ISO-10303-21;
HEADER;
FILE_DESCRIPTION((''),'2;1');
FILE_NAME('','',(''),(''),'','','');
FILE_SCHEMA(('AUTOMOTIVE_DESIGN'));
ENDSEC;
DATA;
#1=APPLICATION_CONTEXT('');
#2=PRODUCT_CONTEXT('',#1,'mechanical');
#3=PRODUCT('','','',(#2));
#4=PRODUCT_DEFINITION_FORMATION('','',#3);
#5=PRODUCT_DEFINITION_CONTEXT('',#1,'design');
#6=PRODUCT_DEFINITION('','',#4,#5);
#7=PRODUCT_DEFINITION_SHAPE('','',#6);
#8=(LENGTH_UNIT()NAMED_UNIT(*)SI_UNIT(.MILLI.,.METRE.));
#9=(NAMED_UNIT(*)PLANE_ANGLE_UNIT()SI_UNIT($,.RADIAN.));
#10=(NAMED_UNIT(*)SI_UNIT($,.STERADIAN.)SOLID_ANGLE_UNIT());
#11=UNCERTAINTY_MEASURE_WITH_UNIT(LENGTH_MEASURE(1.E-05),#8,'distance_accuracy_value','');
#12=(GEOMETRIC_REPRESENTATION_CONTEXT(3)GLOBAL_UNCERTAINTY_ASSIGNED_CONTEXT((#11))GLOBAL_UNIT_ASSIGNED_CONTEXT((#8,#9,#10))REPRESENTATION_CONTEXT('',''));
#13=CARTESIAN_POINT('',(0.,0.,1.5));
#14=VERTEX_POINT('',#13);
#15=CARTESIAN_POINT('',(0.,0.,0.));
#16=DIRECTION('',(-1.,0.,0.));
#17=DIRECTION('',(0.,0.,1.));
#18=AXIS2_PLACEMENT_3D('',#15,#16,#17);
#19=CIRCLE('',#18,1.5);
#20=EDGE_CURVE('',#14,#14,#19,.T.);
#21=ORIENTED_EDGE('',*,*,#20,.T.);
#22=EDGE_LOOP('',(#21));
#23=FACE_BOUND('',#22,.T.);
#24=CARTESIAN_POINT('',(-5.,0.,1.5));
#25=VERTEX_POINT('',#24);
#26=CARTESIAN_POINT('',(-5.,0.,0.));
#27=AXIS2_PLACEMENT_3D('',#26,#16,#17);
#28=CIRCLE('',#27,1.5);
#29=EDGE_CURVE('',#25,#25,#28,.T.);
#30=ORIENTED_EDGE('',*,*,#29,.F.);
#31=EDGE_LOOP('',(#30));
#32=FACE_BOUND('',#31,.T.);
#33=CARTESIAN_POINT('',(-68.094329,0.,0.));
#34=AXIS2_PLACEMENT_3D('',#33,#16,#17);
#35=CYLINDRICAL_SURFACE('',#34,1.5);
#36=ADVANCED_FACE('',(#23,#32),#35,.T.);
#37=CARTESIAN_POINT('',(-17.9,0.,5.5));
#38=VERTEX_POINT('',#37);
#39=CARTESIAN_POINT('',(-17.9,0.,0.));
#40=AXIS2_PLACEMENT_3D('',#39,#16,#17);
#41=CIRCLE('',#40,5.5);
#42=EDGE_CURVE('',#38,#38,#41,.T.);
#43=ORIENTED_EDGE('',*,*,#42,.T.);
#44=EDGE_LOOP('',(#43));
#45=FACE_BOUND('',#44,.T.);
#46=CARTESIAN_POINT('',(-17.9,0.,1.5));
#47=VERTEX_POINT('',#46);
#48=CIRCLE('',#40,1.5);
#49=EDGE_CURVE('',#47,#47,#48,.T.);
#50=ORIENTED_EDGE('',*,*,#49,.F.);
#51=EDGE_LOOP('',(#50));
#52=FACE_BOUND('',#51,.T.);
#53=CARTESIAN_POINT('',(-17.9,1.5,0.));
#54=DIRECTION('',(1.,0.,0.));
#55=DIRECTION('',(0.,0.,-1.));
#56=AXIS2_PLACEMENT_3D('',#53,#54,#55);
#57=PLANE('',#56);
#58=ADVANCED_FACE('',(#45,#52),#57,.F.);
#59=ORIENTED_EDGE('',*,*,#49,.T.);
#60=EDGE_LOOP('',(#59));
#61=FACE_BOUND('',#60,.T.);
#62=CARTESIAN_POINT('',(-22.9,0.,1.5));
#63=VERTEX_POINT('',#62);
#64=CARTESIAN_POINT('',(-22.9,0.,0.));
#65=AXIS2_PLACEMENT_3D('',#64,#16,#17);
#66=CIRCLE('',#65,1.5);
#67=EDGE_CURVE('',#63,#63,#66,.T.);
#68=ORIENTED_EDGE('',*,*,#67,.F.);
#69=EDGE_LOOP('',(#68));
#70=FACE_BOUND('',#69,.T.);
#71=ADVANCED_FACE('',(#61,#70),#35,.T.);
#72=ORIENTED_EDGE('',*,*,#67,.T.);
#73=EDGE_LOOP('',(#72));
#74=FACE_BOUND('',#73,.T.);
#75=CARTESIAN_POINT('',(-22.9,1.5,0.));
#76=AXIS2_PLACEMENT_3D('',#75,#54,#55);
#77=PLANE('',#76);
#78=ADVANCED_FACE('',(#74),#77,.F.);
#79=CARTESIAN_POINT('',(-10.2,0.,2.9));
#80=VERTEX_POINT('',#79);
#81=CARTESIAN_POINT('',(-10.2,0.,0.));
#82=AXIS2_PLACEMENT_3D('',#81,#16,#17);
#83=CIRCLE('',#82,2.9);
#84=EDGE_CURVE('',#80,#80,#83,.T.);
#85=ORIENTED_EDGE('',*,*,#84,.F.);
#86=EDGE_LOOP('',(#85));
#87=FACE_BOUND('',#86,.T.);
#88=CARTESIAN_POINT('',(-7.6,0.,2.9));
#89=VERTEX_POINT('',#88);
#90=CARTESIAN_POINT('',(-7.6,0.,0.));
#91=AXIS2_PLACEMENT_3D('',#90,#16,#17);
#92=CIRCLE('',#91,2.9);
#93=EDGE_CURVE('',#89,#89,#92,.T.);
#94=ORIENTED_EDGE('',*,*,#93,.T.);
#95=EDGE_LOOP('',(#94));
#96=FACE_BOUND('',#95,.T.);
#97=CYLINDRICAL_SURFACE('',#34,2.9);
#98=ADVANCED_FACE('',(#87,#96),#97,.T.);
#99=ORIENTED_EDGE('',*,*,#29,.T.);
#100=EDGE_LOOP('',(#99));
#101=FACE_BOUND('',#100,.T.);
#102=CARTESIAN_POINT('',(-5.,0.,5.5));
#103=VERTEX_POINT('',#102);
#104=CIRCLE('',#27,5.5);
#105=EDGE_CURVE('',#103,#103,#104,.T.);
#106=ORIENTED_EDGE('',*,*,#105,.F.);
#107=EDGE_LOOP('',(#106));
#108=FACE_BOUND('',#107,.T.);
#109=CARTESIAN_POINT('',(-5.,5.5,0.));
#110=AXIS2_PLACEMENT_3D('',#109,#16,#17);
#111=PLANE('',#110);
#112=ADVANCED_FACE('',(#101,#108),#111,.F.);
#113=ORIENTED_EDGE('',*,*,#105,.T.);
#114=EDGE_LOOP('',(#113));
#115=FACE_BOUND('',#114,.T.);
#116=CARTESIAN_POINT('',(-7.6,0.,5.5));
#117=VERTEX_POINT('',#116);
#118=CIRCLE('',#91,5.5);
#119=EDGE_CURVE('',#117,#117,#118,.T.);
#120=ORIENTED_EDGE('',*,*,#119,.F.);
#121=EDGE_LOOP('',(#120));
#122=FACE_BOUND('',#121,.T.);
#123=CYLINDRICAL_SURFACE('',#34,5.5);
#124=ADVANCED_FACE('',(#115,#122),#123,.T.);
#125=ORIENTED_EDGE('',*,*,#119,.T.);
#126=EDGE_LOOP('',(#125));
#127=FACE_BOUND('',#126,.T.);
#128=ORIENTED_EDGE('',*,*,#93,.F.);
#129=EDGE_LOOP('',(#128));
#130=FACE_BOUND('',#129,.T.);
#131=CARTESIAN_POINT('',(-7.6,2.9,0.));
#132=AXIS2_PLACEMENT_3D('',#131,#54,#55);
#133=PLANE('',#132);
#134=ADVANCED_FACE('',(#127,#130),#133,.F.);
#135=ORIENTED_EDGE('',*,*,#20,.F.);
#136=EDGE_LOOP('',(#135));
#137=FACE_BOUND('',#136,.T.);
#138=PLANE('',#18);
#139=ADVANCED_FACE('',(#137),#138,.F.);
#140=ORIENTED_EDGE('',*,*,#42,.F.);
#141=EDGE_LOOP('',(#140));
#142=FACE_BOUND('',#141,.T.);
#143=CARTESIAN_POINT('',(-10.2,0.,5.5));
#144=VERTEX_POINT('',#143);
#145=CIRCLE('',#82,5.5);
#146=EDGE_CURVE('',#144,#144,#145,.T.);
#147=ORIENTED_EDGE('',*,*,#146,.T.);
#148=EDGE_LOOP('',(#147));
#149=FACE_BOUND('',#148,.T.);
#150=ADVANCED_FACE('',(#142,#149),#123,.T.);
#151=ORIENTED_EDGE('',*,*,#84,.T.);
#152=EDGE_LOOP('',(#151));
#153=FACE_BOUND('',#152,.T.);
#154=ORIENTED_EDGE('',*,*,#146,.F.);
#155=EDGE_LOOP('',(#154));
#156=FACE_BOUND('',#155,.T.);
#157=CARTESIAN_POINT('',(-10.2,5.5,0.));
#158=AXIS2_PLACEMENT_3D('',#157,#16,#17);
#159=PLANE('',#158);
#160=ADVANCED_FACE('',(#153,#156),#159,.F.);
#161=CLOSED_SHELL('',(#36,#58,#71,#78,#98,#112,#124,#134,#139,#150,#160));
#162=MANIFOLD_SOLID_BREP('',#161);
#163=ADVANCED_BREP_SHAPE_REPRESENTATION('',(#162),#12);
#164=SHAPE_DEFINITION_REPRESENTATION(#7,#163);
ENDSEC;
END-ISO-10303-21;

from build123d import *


with BuildPart() as part:
    # Croquis2 → Revolución1 (revolve)
    with BuildSketch(Plane.XY, mode=Mode.PRIVATE) as revoluci_n1_sk:
        Polygon((-22.9, 1.5), (-17.9, 1.5), (-17.9, 5.5), (-10.2, 5.5), (-10.2, 2.9), (-7.6, 2.9), (-7.6, 5.5), (-5, 5.5), (-5, 1.5), (0, 1.5), (0, 0), (-22.9, 0), align=None)
    revolve(revoluci_n1_sk.sketch.rotate(Axis((-68.094328552, 0, 0), (1, 0, 0)), 90), axis=Axis((-68.094328552, 0, 0), (1, 0, 0)))


solid = part.part
